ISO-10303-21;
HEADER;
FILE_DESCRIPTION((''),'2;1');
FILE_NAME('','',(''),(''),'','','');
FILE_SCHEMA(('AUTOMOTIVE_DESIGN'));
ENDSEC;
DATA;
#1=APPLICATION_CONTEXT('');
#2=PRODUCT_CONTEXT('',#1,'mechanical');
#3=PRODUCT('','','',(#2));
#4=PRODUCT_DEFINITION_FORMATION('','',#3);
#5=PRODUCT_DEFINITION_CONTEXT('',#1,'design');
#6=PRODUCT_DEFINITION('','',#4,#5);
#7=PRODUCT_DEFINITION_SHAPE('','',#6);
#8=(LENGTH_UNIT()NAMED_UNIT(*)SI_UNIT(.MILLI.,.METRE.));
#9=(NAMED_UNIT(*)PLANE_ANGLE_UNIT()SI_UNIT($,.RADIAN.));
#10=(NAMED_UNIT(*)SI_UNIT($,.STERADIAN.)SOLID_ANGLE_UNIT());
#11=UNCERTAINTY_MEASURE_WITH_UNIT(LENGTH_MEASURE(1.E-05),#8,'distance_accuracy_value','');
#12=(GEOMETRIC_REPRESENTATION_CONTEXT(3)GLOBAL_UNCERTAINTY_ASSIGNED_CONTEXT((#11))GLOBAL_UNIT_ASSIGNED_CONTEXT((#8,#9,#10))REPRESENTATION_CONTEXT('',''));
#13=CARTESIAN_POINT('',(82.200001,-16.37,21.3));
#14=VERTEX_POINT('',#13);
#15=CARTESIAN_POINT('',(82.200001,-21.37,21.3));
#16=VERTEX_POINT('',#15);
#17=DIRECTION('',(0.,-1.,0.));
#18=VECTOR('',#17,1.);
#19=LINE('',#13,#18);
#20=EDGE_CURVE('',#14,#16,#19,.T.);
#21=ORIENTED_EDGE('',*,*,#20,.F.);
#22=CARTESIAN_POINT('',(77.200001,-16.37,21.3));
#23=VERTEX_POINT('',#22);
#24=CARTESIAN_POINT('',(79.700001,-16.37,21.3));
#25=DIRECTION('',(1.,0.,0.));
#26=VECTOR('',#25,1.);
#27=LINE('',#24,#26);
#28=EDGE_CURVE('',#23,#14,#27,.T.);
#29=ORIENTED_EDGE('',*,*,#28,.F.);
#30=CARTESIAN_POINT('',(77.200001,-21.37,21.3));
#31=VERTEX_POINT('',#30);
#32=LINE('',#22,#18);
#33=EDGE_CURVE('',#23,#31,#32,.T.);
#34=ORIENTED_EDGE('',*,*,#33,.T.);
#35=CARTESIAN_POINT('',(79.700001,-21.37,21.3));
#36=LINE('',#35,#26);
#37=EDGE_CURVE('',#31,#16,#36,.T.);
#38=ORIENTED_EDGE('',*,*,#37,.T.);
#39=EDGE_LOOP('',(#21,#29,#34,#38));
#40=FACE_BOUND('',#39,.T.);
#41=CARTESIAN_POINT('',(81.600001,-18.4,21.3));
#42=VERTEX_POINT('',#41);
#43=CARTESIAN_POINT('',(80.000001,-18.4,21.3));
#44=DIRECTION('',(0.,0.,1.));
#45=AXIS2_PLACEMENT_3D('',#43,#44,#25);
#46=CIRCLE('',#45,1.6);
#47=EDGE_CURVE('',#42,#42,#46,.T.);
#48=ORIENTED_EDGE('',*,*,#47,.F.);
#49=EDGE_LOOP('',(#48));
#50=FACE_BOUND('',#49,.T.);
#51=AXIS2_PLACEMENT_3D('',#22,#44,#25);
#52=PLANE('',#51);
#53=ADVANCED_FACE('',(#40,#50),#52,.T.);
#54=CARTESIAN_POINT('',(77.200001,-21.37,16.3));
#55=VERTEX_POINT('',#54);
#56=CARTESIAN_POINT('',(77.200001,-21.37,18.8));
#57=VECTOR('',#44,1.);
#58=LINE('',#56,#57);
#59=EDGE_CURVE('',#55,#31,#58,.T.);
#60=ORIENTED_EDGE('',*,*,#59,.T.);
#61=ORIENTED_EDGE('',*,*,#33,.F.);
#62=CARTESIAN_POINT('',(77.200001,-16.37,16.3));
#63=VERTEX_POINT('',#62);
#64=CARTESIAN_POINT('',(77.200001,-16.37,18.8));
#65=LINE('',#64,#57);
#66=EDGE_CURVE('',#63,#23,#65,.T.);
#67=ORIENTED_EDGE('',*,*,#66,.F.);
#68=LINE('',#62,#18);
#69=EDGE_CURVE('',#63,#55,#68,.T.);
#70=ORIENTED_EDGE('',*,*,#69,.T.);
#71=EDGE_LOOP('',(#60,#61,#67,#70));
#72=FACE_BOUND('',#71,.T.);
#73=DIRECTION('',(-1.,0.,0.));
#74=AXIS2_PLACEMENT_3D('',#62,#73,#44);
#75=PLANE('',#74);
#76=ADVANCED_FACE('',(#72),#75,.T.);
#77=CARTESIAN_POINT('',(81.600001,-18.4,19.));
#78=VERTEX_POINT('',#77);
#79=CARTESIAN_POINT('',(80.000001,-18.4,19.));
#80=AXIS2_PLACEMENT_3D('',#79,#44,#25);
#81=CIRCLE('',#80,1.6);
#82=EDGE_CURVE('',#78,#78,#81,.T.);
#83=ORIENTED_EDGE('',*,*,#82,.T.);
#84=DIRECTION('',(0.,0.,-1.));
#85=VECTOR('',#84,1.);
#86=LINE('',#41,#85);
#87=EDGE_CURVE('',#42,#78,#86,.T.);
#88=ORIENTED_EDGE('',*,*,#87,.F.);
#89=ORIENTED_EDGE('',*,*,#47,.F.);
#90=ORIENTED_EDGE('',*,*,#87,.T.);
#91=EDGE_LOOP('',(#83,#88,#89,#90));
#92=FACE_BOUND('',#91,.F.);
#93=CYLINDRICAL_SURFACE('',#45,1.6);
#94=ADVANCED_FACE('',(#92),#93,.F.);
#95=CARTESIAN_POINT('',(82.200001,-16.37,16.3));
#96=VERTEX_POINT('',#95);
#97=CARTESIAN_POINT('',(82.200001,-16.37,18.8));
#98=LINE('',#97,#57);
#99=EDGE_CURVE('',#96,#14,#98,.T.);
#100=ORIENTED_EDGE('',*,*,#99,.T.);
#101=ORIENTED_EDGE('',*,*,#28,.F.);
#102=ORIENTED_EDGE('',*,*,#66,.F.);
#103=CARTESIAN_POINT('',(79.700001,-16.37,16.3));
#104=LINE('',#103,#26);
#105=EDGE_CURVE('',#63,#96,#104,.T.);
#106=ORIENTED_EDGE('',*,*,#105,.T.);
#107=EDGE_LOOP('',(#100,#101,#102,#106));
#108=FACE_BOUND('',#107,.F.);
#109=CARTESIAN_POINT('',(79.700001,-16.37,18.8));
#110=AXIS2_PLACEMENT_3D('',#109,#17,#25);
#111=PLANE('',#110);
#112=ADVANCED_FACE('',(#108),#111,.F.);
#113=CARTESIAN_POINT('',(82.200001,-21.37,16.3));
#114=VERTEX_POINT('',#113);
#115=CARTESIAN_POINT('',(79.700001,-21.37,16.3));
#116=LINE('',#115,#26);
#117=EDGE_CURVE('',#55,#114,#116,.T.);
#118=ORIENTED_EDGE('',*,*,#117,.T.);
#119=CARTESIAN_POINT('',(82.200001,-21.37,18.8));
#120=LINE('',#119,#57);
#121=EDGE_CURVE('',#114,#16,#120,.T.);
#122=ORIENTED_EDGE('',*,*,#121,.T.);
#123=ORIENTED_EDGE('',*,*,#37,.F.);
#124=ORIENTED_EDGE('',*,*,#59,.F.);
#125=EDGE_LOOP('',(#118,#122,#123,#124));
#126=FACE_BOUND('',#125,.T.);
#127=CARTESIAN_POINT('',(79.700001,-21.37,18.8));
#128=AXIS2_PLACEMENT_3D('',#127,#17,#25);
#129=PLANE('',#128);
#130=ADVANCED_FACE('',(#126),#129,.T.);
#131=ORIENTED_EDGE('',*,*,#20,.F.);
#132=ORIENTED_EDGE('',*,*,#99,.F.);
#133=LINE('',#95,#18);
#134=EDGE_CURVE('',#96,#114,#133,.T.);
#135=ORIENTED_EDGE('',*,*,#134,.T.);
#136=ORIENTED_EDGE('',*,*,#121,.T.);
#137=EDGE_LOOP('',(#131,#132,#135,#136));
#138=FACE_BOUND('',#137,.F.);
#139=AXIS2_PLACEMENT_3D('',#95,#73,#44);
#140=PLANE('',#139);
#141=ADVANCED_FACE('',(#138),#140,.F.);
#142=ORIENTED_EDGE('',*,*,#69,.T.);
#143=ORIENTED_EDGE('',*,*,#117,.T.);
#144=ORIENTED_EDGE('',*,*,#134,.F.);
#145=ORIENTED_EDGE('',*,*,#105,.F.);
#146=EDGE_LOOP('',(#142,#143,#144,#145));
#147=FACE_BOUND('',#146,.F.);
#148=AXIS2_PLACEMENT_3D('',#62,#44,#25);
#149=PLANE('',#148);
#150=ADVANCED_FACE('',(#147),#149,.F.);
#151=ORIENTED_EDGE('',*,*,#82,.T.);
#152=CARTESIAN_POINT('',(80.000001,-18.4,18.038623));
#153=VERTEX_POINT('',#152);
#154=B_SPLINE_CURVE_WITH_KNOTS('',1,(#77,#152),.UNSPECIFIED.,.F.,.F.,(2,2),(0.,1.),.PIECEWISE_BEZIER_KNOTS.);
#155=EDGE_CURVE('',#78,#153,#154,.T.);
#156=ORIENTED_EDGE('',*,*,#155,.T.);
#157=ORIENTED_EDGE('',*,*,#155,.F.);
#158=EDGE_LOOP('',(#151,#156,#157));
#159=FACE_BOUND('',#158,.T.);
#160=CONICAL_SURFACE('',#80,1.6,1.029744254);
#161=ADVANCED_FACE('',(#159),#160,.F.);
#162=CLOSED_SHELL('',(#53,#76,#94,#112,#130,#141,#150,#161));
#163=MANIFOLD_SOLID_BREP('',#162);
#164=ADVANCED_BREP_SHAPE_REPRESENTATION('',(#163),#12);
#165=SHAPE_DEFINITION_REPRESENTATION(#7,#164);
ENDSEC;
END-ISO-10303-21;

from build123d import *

# Parameters (mm, degrees)
SKETCH101_W      = 5
SKETCH101_H      = 5
EXTRUDE036_DEPTH = 5
SKETCH102_R      = 1.6
HOLE022_DEPTH    = 2.3
HOLE022_TIPS_R   = 1.6


with BuildPart() as part:
    # Sketch101 (on Face9 of Pocket017) → Extrude036 (new body)
    with BuildSketch(Plane.XZ.offset(16.37)):
        with Locations((79.700001, 18.8)):
            Rectangle(SKETCH101_W, SKETCH101_H)
    extrude(amount=EXTRUDE036_DEPTH)

    # Sketch102 (on Face1 of Extrude036) → Hole022 (cut)
    with BuildSketch(Plane.XY.offset(21.3)):
        with Locations((80.000001, -18.4)):
            Circle(SKETCH102_R)
    extrude(amount=-HOLE022_DEPTH, mode=Mode.SUBTRACT)

    # Hole022 tips → Hole022 tip 1 section 0
    with BuildSketch(Plane.XY.offset(19), mode=Mode.PRIVATE) as hole022_tip_1_s0:
        with Locations((80.000001, -18.4)):
            Circle(HOLE022_TIPS_R)
    loft([hole022_tip_1_s0.sketch, Vertex(80.000001, -18.4, 18.038623)], mode=Mode.SUBTRACT)


solid = part.part
